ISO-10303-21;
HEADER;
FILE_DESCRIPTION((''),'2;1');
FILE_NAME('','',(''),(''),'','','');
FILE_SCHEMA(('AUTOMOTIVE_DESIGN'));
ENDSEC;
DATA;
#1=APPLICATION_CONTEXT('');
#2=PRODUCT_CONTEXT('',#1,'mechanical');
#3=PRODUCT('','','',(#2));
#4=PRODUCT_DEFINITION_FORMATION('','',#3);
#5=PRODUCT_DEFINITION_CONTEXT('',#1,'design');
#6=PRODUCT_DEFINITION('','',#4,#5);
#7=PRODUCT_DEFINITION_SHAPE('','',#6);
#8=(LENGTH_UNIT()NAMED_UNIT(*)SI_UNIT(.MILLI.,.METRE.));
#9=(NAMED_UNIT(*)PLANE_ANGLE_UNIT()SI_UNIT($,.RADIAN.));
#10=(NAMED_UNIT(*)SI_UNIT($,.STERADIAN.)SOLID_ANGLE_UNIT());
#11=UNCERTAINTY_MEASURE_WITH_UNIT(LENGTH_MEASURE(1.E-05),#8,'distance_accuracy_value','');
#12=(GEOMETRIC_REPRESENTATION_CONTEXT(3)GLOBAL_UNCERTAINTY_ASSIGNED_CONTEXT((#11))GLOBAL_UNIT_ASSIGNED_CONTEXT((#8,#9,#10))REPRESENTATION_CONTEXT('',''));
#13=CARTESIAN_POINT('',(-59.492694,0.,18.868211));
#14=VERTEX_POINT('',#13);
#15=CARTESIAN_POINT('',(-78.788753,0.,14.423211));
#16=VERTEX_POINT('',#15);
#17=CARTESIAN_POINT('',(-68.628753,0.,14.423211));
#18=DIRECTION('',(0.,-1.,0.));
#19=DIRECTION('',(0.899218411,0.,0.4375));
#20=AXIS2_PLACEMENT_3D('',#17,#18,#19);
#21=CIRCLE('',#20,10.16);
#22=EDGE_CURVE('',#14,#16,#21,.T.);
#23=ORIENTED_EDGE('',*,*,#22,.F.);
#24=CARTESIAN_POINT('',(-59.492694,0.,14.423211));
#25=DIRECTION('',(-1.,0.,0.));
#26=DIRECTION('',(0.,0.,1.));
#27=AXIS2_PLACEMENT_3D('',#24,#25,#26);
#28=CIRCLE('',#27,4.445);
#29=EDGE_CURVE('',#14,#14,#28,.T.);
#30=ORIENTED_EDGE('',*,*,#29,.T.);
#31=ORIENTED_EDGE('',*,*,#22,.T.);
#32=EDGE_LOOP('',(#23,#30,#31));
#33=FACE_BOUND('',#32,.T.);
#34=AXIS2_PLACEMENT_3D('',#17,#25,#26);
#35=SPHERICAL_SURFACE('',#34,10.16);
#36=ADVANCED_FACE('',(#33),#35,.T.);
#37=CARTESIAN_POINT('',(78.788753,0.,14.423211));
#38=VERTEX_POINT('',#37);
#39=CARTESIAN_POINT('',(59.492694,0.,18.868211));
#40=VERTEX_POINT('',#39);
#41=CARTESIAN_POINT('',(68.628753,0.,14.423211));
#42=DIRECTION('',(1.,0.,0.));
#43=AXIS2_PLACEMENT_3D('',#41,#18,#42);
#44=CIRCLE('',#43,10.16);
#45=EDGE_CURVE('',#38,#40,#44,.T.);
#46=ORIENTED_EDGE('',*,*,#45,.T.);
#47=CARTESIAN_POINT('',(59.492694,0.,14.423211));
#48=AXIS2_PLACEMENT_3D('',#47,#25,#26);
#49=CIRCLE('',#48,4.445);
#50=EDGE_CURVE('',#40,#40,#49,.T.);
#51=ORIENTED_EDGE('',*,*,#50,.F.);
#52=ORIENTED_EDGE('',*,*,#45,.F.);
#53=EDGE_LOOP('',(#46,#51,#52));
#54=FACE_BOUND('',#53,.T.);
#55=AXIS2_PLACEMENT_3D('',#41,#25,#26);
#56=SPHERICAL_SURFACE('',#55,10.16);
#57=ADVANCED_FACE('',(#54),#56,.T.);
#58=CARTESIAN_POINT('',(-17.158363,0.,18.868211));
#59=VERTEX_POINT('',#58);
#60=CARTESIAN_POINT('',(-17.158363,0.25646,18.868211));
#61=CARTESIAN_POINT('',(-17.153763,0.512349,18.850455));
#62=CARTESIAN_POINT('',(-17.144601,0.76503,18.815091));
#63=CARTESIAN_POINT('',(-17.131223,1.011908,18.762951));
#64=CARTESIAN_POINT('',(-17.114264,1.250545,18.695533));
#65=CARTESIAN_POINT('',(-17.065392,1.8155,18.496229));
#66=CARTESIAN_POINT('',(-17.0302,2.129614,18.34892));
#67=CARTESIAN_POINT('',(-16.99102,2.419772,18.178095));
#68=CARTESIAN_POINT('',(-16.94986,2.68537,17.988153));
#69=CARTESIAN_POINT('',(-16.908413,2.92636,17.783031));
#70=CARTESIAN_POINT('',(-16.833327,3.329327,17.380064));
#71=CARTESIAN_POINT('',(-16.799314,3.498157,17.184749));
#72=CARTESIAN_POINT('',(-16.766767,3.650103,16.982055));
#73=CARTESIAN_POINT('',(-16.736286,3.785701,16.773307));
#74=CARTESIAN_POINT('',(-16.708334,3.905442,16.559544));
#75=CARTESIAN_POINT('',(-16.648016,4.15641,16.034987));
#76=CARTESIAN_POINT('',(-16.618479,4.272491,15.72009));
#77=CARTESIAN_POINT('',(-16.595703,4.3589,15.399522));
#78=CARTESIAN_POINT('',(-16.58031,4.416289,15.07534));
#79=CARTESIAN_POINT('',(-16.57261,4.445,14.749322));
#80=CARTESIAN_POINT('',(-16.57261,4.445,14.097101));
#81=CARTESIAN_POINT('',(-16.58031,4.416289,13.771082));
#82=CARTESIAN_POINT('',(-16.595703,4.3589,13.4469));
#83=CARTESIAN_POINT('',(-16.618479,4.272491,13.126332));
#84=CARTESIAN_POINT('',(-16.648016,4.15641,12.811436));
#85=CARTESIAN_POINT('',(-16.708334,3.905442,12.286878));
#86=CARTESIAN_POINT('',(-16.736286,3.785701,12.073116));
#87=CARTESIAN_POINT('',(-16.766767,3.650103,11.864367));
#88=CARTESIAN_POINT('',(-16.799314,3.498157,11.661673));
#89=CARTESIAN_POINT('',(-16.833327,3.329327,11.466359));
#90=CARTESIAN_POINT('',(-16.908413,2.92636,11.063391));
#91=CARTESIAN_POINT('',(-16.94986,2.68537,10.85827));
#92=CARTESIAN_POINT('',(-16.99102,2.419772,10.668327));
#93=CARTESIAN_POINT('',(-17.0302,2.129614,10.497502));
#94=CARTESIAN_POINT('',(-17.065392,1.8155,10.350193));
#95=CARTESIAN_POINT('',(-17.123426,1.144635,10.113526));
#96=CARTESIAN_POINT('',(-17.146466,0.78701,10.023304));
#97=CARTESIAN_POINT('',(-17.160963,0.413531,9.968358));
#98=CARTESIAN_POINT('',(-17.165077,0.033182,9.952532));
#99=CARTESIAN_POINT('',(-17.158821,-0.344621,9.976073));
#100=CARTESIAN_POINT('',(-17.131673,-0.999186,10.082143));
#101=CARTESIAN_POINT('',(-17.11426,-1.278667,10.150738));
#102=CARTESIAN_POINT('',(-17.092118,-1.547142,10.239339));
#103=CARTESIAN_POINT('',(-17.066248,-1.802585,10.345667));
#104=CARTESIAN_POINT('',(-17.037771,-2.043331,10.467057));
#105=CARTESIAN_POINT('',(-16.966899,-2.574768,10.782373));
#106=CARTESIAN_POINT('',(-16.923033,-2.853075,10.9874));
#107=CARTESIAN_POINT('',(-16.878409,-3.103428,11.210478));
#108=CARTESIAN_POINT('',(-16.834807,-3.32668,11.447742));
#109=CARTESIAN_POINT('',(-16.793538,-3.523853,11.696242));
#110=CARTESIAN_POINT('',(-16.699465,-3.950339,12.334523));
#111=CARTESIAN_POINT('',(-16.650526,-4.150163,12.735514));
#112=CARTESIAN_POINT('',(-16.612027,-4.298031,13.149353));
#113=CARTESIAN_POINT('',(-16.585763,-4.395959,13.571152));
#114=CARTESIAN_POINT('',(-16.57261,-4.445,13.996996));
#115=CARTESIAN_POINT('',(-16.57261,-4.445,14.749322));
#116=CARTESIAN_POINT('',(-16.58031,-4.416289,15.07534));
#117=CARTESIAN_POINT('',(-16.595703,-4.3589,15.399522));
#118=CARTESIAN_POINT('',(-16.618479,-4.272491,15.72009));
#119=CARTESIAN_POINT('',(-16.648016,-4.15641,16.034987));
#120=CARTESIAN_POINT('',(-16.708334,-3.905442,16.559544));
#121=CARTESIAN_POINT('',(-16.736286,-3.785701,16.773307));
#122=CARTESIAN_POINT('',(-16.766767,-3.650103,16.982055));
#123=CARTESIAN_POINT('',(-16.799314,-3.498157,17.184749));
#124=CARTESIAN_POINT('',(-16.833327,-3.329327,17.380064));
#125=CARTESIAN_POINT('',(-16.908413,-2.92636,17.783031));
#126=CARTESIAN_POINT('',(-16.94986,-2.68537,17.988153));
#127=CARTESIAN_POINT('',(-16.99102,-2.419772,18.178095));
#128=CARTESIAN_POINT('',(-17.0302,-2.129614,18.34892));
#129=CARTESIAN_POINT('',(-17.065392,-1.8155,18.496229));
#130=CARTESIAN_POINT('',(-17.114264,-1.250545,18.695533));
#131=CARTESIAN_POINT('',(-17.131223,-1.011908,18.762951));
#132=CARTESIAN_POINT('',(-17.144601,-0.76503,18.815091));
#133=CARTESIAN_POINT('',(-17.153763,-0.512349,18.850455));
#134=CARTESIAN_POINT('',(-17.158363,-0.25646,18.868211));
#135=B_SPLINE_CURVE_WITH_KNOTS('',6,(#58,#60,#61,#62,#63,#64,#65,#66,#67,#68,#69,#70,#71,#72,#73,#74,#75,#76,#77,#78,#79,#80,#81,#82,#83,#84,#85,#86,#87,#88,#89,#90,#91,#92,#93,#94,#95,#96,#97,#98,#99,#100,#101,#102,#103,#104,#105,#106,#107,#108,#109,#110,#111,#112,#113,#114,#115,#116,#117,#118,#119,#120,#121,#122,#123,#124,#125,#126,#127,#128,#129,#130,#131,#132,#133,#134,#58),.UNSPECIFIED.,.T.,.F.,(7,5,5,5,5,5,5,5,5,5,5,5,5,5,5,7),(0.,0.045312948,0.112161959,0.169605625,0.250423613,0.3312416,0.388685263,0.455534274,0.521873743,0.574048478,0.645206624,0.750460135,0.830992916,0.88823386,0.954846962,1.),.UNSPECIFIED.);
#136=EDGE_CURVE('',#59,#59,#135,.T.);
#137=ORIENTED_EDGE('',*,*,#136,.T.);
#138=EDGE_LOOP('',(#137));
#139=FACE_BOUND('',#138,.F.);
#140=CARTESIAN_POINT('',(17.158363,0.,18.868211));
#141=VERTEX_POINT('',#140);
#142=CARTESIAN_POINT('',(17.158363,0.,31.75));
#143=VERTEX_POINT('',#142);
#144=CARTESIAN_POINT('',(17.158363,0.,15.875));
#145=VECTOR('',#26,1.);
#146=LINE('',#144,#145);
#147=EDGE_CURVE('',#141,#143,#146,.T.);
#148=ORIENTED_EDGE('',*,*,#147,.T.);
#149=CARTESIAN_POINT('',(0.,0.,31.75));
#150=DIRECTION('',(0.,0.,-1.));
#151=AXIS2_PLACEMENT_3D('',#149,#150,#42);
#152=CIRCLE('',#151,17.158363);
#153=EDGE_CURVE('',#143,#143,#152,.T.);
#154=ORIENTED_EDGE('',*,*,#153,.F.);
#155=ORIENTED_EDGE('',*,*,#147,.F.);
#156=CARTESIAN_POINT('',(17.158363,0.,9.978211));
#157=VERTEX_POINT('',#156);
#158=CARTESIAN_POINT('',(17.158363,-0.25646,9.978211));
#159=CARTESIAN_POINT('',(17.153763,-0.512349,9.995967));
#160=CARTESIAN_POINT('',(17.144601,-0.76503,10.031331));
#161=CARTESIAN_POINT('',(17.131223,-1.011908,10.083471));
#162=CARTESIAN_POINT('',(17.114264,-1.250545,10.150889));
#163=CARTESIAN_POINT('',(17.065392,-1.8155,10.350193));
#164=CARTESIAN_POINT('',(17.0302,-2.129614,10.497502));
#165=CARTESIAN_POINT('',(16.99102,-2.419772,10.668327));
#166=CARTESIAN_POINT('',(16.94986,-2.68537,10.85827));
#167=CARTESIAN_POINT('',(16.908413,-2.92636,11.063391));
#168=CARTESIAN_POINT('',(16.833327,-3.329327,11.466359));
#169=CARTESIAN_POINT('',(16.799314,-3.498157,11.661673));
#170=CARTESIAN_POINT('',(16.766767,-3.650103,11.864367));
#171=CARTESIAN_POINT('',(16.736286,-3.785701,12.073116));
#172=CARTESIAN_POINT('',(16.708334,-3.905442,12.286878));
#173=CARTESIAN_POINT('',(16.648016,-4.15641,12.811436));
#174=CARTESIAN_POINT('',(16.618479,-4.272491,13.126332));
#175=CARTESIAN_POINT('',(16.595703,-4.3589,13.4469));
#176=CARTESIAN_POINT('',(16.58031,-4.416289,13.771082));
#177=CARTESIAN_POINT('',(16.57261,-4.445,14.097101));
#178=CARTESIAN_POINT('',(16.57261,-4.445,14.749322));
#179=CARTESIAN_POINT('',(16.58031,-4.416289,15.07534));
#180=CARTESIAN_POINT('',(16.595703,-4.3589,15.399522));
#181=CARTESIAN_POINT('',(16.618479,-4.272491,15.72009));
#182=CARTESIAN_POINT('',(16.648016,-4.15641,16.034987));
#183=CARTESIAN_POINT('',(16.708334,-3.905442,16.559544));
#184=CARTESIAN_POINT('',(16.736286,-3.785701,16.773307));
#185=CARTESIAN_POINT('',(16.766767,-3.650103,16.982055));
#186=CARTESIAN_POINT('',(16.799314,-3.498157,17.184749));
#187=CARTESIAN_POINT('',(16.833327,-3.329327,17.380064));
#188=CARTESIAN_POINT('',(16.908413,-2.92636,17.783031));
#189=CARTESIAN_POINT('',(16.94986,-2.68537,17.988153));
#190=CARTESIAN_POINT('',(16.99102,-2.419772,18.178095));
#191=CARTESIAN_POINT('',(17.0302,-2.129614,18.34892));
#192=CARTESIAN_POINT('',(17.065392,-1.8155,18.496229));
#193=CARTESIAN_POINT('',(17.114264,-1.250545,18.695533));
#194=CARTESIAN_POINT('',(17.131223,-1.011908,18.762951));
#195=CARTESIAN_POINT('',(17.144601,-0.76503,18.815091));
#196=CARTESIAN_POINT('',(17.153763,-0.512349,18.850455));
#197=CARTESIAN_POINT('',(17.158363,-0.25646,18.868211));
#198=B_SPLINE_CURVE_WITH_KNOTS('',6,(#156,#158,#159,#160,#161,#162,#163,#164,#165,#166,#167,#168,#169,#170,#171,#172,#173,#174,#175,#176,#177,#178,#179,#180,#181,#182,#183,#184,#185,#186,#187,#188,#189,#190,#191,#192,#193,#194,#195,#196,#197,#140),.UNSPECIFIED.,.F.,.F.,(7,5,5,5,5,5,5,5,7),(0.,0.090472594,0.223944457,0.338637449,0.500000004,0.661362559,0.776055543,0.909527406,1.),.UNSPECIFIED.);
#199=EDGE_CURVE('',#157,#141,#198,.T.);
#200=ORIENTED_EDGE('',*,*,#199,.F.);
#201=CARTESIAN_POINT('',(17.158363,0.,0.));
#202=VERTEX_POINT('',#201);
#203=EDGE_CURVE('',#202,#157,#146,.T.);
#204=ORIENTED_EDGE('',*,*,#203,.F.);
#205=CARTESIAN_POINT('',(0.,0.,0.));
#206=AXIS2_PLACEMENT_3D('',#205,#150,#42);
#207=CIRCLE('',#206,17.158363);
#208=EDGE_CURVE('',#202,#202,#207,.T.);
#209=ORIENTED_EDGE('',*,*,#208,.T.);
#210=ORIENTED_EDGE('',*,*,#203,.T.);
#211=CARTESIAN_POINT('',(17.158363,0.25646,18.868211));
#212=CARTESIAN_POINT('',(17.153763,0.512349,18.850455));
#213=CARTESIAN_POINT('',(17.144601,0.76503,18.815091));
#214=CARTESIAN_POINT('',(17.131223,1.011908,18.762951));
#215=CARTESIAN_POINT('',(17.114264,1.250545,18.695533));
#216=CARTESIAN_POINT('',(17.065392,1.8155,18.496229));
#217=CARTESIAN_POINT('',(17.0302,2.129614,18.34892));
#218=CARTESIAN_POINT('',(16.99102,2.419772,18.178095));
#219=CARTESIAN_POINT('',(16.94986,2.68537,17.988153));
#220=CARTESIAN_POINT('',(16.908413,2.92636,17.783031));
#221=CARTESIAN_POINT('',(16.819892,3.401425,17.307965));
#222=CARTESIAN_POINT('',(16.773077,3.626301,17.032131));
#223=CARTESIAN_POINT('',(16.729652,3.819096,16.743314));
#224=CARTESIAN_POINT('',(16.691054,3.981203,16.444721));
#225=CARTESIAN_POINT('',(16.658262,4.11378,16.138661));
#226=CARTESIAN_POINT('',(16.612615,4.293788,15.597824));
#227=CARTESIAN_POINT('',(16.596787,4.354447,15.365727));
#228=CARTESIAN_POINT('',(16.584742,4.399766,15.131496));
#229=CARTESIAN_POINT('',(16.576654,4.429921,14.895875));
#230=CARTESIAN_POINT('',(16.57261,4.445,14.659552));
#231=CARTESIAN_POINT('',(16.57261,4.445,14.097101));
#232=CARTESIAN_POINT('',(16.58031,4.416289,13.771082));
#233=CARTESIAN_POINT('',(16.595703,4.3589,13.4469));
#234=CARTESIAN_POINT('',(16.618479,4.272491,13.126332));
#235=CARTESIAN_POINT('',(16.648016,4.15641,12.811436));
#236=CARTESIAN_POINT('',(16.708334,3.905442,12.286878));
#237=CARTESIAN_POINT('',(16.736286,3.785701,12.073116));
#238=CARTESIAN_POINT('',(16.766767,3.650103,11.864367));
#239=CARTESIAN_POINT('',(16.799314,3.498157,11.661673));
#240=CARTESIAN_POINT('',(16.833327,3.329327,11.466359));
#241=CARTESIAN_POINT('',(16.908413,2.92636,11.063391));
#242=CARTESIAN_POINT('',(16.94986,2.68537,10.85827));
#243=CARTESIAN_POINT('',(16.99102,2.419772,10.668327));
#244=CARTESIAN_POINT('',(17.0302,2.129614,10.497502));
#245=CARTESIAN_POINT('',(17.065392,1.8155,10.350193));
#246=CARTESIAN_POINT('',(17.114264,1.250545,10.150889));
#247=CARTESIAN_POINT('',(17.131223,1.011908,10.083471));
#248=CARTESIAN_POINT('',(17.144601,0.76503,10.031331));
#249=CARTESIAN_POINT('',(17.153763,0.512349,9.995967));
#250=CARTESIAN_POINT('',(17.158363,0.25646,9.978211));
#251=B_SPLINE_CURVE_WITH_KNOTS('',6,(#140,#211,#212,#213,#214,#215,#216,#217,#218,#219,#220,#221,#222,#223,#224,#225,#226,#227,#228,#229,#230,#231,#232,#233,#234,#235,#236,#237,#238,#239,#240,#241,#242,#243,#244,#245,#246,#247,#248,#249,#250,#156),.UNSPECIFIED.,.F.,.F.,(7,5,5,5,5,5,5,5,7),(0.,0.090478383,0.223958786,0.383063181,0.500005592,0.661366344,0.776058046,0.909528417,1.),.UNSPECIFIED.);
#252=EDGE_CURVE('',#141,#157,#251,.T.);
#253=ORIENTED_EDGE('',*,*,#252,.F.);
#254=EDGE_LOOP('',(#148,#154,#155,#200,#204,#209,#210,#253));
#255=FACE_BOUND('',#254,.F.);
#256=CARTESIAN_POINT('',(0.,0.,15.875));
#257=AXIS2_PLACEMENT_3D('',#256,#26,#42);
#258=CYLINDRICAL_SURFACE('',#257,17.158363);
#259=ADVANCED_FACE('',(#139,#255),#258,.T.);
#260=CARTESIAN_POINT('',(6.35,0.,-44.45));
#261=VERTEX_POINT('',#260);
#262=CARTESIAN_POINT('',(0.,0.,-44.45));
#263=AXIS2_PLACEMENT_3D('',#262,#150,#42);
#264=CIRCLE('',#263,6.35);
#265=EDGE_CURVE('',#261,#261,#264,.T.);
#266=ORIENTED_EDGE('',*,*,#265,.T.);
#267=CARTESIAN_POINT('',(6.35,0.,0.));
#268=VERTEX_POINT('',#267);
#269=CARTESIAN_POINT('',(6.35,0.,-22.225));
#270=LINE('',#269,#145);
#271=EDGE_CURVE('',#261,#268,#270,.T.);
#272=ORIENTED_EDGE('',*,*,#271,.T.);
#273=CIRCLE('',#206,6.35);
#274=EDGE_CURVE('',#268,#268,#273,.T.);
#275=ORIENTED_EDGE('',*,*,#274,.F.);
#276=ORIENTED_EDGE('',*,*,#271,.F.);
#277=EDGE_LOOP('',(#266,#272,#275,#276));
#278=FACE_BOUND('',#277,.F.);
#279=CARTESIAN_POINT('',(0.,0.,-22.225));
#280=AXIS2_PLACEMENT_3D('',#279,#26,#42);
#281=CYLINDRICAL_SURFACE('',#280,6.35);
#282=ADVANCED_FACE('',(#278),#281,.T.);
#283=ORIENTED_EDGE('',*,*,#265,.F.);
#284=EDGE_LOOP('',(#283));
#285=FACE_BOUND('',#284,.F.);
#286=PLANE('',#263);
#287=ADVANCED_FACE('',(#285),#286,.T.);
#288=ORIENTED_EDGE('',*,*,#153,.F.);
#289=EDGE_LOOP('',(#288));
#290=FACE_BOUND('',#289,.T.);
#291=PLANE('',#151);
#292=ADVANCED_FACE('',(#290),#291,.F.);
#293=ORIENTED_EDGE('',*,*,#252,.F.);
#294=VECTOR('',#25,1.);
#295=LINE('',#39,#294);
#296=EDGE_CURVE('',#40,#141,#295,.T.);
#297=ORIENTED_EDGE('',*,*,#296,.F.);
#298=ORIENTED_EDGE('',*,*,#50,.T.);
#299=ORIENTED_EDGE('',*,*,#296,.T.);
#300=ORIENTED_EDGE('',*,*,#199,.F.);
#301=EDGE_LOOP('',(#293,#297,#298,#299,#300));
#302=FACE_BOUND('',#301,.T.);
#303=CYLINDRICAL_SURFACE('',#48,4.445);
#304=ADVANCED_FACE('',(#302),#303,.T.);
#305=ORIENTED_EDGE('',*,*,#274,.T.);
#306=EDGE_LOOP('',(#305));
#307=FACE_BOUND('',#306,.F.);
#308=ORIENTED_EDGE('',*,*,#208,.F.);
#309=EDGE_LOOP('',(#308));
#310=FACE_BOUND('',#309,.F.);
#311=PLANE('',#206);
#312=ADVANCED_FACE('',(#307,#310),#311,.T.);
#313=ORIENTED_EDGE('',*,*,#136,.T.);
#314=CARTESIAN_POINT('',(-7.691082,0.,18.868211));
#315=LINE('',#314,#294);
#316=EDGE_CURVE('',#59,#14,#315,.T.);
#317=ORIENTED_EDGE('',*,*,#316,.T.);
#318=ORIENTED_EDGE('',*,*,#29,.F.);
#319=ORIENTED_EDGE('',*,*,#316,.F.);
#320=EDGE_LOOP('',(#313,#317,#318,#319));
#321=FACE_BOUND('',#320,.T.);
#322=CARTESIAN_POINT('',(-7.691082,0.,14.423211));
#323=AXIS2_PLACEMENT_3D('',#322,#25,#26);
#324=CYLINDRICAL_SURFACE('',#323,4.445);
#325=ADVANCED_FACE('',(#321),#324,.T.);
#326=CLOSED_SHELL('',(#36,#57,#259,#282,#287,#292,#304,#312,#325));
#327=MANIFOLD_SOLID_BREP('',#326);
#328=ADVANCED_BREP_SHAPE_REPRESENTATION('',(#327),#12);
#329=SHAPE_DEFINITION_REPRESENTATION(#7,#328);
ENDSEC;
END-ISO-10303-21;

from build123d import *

# Parameters (mm, degrees)
F0_W = 17.1583627141
F0_H = 31.75
F2_W = 6.35
F2_H = 44.45


with BuildPart() as f1:
    # F0 (on Front) → F1 (revolve)
    with BuildSketch(Plane.XZ):
        with Locations((8.579181357, 15.875)):
            Rectangle(F0_W, F0_H)
    revolve(axis=Axis((0, 0, -9.8678829017), (0, 0, -1)))

    # F2 (on Front) → F3 (revolve)
    with BuildSketch(Plane.XZ):
        with Locations((3.175, -22.225)):
            Rectangle(F2_W, F2_H)
    revolve(axis=Axis((0, 0, -33.3453212399), (0, 0, -1)))

    # F4 (on Front) → F5 (revolve)
    with BuildSketch(Plane.XZ):
        with BuildLine():
            Line((-58.4687533851, 14.4232111052), (-7.6910817411, 14.4232111052))
            Line((-7.6910817411, 14.4232111052), (-7.6910817411, 18.8682111052))
            Line((-7.6910817411, 18.8682111052), (-59.4926943332, 18.8682111052))
            ThreePointArc((-59.4926943332, 18.8682111052), (-70.9094594197, 24.3239171398), (-78.7887533851, 14.4232111052))
            Line((-78.7887533851, 14.4232111052), (-58.4687533851, 14.4232111052))
        make_face()
        with BuildLine():
            Line((59.4926943332, 18.8682111052), (7.6910817411, 18.8682111052))
            Line((7.6910817411, 18.8682111052), (7.6910817411, 14.4232111052))
            Line((7.6910817411, 14.4232111052), (78.7887533851, 14.4232111052))
            ThreePointArc((78.7887533851, 14.4232111052), (70.9094594197, 24.3239171398), (59.4926943332, 18.8682111052))
        make_face()
    revolve(axis=Axis((-48.3527202798, 0, 14.4232111052), (-1, 0, 0)))


solid = f1.part
